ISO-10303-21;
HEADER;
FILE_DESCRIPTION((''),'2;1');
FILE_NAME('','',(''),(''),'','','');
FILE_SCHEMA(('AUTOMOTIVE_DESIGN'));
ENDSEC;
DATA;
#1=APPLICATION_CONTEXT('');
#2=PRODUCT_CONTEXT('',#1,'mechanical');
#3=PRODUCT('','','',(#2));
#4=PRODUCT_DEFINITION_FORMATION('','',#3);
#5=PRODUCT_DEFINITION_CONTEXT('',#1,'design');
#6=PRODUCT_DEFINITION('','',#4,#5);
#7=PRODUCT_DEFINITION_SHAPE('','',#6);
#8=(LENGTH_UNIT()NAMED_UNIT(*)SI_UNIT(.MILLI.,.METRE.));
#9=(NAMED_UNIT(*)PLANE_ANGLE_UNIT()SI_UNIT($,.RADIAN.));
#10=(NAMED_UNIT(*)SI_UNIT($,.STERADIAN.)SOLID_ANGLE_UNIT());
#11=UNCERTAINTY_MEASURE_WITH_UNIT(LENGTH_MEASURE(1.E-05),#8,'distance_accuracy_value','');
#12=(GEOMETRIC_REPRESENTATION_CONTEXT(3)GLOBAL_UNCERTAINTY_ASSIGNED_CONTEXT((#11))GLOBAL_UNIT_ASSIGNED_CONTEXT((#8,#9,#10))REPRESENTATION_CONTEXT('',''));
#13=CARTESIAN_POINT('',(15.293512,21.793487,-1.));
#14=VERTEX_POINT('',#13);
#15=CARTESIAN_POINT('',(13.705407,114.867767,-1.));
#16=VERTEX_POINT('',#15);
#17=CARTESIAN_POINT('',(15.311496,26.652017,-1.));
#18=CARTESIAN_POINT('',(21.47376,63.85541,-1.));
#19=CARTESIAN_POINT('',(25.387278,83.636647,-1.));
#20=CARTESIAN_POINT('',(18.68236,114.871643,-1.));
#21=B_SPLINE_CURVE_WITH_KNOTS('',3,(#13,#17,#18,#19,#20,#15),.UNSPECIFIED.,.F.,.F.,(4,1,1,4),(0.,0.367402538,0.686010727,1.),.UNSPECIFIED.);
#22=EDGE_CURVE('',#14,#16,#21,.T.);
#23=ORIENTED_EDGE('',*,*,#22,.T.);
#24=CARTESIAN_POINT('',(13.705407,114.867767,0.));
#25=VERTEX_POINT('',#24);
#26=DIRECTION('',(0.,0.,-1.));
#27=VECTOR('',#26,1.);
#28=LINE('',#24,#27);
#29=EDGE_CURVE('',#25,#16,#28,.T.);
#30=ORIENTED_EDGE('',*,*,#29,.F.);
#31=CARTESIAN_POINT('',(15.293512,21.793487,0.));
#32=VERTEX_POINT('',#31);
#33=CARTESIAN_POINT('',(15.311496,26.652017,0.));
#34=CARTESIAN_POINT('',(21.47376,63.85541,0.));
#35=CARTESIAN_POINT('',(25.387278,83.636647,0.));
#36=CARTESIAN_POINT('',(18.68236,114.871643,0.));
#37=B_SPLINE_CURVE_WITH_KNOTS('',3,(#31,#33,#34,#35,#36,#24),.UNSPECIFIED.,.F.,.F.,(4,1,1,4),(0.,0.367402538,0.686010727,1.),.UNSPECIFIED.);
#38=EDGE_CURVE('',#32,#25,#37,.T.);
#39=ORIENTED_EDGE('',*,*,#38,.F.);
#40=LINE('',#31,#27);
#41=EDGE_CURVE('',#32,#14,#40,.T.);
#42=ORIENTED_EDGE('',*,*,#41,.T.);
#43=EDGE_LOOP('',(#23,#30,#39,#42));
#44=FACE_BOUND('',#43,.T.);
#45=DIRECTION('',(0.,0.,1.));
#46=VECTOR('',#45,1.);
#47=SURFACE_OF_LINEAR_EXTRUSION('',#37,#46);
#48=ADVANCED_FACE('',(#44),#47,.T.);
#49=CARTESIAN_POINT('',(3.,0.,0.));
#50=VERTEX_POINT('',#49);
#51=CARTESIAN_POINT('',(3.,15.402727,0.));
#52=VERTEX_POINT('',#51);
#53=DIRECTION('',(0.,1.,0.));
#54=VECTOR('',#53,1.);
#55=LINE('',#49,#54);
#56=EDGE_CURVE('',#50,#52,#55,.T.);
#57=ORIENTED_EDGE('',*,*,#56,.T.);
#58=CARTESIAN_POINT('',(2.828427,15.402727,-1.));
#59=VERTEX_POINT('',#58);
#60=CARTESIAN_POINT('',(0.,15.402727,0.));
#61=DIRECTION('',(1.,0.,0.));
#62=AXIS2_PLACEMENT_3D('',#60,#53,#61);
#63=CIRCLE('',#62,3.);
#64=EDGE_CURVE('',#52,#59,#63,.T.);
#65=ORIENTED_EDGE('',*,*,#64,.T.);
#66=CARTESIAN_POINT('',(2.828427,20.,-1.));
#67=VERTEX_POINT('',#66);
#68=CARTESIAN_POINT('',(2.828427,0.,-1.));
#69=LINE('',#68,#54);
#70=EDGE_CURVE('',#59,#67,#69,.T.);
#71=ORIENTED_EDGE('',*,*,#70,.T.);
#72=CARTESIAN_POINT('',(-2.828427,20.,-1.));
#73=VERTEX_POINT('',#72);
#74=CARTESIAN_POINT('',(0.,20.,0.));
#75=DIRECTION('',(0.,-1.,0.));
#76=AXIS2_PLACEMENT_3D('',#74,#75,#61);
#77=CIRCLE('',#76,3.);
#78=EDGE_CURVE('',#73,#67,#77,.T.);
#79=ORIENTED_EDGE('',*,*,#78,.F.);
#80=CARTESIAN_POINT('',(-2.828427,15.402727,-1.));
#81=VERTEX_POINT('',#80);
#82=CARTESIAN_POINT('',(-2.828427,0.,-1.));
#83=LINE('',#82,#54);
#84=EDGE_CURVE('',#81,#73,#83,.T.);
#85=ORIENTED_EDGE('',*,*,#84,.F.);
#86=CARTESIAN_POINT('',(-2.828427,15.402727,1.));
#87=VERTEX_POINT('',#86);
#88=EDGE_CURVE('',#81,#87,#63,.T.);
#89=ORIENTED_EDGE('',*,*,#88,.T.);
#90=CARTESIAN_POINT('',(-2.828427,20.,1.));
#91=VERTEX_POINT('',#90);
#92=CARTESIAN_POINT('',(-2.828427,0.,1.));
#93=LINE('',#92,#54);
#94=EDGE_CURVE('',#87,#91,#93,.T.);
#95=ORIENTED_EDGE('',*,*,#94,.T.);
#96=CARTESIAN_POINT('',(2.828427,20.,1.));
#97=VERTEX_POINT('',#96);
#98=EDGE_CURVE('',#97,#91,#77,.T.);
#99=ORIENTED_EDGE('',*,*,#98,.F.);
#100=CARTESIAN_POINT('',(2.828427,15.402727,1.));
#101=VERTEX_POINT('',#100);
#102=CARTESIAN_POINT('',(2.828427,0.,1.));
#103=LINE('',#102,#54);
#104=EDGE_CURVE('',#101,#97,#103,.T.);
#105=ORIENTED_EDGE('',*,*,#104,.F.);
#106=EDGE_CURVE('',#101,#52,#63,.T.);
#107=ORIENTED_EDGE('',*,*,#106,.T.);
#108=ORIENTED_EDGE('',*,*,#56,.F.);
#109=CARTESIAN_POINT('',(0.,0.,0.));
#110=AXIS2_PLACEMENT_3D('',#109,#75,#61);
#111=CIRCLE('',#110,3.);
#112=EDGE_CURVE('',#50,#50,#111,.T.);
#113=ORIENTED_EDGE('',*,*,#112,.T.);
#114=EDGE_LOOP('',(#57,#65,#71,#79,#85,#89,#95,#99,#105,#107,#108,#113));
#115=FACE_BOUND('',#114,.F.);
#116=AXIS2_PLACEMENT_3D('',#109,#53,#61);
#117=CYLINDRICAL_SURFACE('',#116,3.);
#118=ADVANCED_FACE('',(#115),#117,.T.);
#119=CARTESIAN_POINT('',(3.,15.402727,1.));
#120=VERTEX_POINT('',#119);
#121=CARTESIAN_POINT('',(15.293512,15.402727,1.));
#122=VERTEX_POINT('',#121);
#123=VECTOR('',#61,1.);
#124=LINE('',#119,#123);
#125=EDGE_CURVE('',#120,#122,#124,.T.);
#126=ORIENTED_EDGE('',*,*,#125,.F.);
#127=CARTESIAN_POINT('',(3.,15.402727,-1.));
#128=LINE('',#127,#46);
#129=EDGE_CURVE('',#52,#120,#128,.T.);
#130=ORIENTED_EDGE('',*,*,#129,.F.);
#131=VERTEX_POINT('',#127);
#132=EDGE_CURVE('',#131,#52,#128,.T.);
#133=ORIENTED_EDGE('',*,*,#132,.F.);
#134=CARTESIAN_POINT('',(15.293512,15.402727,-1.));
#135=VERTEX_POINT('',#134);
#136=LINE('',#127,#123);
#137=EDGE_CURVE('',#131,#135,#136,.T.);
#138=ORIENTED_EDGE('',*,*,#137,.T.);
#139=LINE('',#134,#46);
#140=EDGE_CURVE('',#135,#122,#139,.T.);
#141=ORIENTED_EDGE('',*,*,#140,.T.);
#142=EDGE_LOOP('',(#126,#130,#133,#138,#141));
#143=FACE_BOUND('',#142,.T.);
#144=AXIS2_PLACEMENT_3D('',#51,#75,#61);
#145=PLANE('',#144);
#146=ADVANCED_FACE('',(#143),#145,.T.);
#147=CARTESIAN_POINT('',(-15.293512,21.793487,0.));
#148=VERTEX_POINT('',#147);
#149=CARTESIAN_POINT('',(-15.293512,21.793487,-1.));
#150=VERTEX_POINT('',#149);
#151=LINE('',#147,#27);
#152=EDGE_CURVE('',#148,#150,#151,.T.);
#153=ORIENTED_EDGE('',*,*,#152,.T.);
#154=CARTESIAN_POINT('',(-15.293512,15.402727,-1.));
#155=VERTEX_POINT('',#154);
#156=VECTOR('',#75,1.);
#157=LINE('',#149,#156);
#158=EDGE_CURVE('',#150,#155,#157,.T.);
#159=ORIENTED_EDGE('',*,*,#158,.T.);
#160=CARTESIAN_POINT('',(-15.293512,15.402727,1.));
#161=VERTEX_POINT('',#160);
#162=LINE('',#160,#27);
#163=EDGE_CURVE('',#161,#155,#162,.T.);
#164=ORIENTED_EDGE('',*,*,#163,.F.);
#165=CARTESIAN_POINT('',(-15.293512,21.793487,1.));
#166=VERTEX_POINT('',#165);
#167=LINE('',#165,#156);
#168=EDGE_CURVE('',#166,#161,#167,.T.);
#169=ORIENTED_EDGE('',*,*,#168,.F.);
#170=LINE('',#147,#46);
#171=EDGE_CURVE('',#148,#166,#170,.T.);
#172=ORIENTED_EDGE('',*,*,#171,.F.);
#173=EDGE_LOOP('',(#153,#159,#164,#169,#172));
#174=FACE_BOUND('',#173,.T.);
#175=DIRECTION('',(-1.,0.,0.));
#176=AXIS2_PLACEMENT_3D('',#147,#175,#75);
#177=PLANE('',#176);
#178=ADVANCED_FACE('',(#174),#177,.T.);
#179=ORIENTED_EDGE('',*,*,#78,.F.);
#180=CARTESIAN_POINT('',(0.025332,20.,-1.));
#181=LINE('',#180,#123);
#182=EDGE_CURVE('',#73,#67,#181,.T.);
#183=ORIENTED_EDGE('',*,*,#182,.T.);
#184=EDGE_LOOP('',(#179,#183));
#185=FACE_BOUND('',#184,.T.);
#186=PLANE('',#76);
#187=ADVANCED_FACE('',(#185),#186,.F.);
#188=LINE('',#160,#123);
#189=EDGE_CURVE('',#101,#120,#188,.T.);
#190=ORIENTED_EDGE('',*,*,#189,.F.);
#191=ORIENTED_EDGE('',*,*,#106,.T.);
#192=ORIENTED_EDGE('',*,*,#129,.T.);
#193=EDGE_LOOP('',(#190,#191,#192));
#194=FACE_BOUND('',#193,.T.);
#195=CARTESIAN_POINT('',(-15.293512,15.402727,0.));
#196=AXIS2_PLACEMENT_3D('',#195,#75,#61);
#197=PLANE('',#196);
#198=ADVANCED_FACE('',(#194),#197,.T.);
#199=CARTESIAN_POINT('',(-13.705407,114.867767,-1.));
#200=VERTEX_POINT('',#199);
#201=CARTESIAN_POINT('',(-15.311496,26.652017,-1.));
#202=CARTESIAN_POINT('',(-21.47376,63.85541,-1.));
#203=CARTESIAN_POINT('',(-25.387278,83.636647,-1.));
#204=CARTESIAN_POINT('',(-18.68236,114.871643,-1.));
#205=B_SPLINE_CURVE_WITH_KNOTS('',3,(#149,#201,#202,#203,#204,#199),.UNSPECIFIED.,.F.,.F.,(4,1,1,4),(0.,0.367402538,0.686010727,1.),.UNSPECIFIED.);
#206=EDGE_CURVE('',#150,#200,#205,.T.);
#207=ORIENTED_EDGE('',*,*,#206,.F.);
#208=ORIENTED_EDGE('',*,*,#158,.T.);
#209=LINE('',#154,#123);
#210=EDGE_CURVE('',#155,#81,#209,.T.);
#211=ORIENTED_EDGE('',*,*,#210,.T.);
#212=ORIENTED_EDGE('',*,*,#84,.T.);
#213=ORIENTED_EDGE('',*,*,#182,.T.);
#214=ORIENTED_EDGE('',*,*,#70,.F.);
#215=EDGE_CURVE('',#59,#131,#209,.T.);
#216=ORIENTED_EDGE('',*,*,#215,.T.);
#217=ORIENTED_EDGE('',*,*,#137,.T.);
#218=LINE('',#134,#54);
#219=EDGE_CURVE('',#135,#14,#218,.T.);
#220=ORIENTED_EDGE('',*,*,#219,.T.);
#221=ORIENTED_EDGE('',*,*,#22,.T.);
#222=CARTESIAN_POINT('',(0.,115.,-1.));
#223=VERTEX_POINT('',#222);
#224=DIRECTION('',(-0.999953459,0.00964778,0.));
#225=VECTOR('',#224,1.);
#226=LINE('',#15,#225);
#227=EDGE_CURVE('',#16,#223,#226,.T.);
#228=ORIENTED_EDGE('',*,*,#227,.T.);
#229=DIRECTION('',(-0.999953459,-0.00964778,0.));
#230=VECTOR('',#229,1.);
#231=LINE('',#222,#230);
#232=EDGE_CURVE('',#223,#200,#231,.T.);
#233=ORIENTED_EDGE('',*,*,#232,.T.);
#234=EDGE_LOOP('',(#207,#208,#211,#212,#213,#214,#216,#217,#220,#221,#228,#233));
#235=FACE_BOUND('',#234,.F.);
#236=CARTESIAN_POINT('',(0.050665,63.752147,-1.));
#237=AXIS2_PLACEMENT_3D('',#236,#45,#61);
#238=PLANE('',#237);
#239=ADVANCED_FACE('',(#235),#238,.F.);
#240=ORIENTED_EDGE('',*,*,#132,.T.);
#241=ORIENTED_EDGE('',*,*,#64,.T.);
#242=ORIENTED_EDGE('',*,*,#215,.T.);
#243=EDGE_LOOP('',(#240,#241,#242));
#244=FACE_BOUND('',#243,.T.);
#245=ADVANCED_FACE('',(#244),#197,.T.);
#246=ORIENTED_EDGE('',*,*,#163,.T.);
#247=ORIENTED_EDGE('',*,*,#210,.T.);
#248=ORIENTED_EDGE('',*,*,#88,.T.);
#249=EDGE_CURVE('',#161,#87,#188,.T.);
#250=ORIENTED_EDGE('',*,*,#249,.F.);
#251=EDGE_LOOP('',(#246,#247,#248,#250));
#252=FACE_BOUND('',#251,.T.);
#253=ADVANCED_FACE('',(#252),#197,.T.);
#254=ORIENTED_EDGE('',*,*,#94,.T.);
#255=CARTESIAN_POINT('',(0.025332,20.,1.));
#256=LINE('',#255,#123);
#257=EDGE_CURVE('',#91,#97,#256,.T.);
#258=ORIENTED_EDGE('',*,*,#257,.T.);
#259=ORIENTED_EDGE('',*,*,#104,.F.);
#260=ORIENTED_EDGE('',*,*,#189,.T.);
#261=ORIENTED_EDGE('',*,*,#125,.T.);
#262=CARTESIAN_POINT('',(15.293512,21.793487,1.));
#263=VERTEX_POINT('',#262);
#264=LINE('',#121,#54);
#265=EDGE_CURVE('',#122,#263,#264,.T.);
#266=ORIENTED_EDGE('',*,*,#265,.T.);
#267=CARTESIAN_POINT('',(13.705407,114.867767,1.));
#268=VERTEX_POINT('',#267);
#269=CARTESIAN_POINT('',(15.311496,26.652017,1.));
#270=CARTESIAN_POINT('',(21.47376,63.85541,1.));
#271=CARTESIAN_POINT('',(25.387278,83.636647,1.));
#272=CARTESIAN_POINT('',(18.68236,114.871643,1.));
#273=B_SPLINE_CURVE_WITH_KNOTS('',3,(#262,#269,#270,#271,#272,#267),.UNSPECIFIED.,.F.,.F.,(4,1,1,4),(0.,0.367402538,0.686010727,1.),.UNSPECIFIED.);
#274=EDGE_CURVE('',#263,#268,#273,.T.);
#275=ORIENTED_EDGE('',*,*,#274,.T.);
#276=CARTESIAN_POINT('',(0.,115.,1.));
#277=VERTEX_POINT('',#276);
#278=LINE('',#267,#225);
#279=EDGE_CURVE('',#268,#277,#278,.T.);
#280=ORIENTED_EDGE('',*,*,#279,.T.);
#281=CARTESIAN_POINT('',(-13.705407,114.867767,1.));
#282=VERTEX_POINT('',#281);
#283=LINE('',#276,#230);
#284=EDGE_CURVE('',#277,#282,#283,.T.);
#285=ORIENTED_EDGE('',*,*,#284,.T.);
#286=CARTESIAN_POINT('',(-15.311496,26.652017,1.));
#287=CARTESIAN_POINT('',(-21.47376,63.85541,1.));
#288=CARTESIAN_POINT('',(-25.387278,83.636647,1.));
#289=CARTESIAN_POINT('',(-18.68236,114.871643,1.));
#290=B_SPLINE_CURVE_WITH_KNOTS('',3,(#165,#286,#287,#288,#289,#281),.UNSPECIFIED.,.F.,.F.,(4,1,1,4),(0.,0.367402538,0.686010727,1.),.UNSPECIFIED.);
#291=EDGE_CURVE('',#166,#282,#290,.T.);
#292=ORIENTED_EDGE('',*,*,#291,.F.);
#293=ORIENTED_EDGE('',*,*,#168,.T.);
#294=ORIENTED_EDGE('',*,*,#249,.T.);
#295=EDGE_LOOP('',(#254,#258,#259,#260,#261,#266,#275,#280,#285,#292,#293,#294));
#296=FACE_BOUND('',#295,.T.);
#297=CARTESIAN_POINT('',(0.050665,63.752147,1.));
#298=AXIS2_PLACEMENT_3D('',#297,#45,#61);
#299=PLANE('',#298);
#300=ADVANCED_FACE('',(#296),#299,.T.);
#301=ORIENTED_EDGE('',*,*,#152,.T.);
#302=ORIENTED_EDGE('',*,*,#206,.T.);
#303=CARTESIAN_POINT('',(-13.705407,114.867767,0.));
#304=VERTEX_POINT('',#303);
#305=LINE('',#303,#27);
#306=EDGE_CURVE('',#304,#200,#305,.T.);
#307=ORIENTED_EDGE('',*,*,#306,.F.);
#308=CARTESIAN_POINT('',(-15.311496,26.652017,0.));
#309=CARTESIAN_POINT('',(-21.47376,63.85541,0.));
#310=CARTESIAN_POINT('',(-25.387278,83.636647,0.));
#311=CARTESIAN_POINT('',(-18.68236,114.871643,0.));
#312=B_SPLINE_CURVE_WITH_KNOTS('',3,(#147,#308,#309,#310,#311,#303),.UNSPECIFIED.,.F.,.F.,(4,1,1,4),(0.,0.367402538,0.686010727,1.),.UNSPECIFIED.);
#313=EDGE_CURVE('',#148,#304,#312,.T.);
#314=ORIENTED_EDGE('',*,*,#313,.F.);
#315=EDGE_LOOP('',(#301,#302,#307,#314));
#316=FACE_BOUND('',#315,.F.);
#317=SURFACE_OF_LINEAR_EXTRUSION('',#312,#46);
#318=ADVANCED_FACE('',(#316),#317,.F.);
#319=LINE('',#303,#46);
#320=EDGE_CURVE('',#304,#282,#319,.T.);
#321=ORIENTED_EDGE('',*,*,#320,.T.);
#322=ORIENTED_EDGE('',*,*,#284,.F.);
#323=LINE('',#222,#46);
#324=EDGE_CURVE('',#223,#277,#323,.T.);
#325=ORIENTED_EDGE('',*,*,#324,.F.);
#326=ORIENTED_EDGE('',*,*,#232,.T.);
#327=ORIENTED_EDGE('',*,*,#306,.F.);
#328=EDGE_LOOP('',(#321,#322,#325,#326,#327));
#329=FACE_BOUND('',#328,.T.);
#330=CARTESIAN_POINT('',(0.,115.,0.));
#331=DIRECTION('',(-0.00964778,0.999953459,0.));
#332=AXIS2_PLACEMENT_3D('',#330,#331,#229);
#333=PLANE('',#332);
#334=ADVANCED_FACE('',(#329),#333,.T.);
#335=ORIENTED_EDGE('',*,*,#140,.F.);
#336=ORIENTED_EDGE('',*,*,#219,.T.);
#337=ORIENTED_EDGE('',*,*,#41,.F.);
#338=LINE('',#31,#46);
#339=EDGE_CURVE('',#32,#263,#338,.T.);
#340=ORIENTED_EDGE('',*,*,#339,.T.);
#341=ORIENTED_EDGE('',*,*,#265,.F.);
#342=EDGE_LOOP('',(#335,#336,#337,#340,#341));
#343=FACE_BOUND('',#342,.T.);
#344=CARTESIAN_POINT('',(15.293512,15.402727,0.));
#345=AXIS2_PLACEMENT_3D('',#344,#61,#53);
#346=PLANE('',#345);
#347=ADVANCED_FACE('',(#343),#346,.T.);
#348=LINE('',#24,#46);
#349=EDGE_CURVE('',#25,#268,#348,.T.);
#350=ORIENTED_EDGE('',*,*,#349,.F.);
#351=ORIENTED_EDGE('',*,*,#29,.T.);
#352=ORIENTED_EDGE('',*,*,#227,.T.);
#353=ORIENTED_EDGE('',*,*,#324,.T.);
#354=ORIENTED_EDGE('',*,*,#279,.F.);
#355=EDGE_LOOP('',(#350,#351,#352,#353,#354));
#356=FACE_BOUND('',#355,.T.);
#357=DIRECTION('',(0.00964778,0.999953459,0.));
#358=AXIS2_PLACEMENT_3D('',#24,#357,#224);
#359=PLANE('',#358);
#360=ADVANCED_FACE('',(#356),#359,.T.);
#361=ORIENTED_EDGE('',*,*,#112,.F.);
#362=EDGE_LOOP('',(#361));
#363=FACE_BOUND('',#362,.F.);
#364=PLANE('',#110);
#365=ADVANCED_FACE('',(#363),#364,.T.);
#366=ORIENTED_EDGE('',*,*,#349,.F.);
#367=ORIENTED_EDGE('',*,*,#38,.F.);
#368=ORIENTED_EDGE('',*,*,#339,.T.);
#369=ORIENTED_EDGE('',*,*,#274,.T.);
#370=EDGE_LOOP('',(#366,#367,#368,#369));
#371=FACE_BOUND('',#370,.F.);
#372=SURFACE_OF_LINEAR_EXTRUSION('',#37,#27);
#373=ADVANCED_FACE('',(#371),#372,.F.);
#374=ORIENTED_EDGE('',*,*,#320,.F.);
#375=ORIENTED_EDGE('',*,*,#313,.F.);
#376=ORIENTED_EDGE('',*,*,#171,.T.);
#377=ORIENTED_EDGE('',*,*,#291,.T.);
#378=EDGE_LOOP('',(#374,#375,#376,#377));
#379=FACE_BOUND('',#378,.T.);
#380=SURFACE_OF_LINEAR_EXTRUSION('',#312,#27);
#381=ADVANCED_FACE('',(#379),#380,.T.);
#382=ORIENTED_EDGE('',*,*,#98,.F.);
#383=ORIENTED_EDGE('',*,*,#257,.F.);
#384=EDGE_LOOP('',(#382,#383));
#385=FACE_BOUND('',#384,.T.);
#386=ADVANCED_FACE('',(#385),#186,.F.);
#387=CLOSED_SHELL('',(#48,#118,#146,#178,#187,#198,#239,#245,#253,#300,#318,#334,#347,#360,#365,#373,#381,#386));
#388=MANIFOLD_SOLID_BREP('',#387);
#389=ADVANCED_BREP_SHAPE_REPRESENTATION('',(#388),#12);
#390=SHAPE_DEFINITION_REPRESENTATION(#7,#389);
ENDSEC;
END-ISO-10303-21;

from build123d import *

# Parameters (mm, degrees)
F0_W     = 3
F0_H     = 4.5972731709
F0_H_2   = 15.4027268291
F2_DEPTH = 1


with BuildPart() as f1:
    # F0 (on Top) → F1 (revolve)
    with BuildSketch(Plane.XY):
        with Locations((1.5, 17.7013634145)):
            Rectangle(F0_W, F0_H)
        with Locations((1.5, 7.7013634145)):
            Rectangle(F0_W, F0_H_2)
    revolve(axis=Axis((0, 10, 0), (0, -1, 0)))

    # F0 (on Top) → F2 (join, symmetric)
    with BuildSketch(Plane.XY):
        with BuildLine():
            Line((-15.293511562, 15.4027268291), (0, 15.4027268291))
            Line((0, 15.4027268291), (0, 20))
            Line((0, 20), (3, 20))
            Line((3, 20), (3, 15.4027268291))
            Line((3, 15.4027268291), (15.293511562, 15.4027268291))
            Line((15.293511562, 15.4027268291), (15.293511562, 21.7934865505))
            add(Edge.make_bspline(
                [(15.293511562, 21.7934865505), (15.3114958093, 26.6520165048), (21.4737595411, 63.8554104581), (25.3872782552, 83.6366472522), (18.6823600411, 114.8716425409), (13.7054072693, 114.8677670956)],
                knots=[0, 0, 0, 0, 0.3674025375, 0.686010727, 1, 1, 1, 1], degree=3))
            Line((13.7054072693, 114.8677670956), (0, 115))
            Line((0, 115), (-13.7054072693, 114.8677670956))
            add(Edge.make_bspline(
                [(-15.293511562, 21.7934865505), (-15.3114958093, 26.6520165048), (-21.4737595411, 63.8554104581), (-25.3872782552, 83.6366472522), (-18.6823600411, 114.8716425409), (-13.7054072693, 114.8677670956)],
                knots=[0, 0, 0, 0, 0.3674025375, 0.686010727, 1, 1, 1, 1], degree=3))
            Line((-15.293511562, 21.7934865505), (-15.293511562, 15.4027268291))
        make_face()
        with Locations((1.5, 17.7013634145)):
            Rectangle(F0_W, F0_H)
    extrude(amount=F2_DEPTH, both=True)


solid = f1.part
